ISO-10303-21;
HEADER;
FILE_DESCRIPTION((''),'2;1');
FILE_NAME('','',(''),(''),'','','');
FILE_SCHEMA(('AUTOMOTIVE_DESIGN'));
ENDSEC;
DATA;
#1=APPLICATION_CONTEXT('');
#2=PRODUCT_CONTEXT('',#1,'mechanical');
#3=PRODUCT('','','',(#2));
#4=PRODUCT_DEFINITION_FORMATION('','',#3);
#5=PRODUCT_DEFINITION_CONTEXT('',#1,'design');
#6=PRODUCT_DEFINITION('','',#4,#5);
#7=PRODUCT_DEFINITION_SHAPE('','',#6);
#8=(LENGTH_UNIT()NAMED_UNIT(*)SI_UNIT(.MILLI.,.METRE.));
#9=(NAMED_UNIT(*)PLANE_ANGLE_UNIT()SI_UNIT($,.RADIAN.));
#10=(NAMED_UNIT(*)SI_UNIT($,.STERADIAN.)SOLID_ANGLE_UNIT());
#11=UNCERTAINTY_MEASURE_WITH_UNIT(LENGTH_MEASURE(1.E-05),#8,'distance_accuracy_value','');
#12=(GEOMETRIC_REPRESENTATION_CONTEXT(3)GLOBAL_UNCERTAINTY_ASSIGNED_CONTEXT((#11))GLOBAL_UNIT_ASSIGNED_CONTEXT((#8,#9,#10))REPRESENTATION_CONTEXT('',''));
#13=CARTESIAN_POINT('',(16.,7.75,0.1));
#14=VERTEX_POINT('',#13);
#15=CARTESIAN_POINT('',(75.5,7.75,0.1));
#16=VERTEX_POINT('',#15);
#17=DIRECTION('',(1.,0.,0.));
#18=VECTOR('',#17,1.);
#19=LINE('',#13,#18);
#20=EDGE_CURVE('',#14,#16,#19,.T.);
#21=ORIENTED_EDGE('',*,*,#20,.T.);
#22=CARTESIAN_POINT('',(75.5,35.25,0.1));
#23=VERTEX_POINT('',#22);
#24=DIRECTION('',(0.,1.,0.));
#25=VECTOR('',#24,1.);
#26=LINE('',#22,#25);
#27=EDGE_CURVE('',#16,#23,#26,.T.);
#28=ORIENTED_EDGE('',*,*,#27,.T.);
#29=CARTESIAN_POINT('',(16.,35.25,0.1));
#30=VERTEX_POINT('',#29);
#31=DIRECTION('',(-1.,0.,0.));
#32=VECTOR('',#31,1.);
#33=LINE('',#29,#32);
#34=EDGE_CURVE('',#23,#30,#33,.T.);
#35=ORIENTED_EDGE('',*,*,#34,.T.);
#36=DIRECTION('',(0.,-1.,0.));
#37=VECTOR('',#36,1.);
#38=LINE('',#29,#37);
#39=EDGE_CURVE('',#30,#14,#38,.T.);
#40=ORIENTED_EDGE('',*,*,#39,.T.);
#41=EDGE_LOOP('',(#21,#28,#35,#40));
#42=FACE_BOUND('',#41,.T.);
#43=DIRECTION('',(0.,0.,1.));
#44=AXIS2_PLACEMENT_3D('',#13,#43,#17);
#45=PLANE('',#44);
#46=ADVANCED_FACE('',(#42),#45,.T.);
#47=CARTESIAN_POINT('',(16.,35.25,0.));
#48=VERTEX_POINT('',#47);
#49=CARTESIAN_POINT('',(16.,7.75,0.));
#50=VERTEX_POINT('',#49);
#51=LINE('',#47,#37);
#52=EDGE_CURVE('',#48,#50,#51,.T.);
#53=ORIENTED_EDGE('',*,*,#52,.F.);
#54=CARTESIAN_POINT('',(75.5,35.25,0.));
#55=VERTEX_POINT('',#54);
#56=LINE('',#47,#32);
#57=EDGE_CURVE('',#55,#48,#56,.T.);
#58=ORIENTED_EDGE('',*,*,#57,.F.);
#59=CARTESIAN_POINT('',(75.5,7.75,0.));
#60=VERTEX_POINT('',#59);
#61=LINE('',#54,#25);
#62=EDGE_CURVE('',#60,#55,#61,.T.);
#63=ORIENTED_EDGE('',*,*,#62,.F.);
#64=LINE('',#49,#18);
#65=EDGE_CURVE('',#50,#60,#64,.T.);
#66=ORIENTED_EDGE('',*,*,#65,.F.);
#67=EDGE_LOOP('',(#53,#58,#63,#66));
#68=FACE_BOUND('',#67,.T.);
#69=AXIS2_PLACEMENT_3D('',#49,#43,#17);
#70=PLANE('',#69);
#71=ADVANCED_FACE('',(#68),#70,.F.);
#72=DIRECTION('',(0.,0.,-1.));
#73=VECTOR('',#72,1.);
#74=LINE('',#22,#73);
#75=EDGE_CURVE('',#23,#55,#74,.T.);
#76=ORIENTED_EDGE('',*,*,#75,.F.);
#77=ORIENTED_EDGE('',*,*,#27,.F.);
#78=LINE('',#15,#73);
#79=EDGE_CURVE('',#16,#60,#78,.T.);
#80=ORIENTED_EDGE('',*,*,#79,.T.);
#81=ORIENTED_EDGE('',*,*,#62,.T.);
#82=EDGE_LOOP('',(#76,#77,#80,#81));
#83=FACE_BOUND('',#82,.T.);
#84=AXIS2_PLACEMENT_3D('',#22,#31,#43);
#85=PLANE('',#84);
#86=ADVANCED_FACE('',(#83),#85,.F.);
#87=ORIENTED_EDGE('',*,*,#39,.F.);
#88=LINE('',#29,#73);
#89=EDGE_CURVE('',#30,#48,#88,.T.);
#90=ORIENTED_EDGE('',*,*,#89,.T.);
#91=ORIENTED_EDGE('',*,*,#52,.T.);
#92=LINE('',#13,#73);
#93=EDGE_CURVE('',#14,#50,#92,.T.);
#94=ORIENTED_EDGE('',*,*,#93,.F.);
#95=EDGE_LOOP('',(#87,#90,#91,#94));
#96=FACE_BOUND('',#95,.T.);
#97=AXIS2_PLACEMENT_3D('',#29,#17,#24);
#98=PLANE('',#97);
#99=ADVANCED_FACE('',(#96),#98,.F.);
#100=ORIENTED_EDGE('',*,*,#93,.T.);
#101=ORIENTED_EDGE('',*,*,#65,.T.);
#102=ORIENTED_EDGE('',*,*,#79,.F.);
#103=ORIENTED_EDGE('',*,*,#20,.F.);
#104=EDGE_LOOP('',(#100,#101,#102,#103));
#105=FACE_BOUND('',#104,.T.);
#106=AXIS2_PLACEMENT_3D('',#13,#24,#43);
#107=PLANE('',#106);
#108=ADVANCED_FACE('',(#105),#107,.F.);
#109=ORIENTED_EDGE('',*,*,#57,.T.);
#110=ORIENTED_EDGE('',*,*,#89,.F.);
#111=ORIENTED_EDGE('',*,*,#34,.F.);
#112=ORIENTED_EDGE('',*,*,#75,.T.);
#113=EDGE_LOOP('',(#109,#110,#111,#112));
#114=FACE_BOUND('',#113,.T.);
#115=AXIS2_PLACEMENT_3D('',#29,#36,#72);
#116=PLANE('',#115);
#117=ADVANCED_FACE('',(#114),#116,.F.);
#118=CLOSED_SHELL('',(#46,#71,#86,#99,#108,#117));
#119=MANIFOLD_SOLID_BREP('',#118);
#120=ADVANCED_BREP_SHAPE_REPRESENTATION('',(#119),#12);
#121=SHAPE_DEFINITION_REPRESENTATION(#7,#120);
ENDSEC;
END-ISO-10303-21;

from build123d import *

# Parameters (mm, degrees)
SKETCH1_W      = 59.5
SKETCH1_H      = 27.5
EXTRUDE1_DEPTH = 0.1


with BuildPart() as part:
    # Sketch1 → Extrude1 (new body)
    with BuildSketch(Plane.XY):
        with Locations((45.75, 21.5)):
            Rectangle(SKETCH1_W, SKETCH1_H)
    extrude(amount=EXTRUDE1_DEPTH)


solid = part.part
